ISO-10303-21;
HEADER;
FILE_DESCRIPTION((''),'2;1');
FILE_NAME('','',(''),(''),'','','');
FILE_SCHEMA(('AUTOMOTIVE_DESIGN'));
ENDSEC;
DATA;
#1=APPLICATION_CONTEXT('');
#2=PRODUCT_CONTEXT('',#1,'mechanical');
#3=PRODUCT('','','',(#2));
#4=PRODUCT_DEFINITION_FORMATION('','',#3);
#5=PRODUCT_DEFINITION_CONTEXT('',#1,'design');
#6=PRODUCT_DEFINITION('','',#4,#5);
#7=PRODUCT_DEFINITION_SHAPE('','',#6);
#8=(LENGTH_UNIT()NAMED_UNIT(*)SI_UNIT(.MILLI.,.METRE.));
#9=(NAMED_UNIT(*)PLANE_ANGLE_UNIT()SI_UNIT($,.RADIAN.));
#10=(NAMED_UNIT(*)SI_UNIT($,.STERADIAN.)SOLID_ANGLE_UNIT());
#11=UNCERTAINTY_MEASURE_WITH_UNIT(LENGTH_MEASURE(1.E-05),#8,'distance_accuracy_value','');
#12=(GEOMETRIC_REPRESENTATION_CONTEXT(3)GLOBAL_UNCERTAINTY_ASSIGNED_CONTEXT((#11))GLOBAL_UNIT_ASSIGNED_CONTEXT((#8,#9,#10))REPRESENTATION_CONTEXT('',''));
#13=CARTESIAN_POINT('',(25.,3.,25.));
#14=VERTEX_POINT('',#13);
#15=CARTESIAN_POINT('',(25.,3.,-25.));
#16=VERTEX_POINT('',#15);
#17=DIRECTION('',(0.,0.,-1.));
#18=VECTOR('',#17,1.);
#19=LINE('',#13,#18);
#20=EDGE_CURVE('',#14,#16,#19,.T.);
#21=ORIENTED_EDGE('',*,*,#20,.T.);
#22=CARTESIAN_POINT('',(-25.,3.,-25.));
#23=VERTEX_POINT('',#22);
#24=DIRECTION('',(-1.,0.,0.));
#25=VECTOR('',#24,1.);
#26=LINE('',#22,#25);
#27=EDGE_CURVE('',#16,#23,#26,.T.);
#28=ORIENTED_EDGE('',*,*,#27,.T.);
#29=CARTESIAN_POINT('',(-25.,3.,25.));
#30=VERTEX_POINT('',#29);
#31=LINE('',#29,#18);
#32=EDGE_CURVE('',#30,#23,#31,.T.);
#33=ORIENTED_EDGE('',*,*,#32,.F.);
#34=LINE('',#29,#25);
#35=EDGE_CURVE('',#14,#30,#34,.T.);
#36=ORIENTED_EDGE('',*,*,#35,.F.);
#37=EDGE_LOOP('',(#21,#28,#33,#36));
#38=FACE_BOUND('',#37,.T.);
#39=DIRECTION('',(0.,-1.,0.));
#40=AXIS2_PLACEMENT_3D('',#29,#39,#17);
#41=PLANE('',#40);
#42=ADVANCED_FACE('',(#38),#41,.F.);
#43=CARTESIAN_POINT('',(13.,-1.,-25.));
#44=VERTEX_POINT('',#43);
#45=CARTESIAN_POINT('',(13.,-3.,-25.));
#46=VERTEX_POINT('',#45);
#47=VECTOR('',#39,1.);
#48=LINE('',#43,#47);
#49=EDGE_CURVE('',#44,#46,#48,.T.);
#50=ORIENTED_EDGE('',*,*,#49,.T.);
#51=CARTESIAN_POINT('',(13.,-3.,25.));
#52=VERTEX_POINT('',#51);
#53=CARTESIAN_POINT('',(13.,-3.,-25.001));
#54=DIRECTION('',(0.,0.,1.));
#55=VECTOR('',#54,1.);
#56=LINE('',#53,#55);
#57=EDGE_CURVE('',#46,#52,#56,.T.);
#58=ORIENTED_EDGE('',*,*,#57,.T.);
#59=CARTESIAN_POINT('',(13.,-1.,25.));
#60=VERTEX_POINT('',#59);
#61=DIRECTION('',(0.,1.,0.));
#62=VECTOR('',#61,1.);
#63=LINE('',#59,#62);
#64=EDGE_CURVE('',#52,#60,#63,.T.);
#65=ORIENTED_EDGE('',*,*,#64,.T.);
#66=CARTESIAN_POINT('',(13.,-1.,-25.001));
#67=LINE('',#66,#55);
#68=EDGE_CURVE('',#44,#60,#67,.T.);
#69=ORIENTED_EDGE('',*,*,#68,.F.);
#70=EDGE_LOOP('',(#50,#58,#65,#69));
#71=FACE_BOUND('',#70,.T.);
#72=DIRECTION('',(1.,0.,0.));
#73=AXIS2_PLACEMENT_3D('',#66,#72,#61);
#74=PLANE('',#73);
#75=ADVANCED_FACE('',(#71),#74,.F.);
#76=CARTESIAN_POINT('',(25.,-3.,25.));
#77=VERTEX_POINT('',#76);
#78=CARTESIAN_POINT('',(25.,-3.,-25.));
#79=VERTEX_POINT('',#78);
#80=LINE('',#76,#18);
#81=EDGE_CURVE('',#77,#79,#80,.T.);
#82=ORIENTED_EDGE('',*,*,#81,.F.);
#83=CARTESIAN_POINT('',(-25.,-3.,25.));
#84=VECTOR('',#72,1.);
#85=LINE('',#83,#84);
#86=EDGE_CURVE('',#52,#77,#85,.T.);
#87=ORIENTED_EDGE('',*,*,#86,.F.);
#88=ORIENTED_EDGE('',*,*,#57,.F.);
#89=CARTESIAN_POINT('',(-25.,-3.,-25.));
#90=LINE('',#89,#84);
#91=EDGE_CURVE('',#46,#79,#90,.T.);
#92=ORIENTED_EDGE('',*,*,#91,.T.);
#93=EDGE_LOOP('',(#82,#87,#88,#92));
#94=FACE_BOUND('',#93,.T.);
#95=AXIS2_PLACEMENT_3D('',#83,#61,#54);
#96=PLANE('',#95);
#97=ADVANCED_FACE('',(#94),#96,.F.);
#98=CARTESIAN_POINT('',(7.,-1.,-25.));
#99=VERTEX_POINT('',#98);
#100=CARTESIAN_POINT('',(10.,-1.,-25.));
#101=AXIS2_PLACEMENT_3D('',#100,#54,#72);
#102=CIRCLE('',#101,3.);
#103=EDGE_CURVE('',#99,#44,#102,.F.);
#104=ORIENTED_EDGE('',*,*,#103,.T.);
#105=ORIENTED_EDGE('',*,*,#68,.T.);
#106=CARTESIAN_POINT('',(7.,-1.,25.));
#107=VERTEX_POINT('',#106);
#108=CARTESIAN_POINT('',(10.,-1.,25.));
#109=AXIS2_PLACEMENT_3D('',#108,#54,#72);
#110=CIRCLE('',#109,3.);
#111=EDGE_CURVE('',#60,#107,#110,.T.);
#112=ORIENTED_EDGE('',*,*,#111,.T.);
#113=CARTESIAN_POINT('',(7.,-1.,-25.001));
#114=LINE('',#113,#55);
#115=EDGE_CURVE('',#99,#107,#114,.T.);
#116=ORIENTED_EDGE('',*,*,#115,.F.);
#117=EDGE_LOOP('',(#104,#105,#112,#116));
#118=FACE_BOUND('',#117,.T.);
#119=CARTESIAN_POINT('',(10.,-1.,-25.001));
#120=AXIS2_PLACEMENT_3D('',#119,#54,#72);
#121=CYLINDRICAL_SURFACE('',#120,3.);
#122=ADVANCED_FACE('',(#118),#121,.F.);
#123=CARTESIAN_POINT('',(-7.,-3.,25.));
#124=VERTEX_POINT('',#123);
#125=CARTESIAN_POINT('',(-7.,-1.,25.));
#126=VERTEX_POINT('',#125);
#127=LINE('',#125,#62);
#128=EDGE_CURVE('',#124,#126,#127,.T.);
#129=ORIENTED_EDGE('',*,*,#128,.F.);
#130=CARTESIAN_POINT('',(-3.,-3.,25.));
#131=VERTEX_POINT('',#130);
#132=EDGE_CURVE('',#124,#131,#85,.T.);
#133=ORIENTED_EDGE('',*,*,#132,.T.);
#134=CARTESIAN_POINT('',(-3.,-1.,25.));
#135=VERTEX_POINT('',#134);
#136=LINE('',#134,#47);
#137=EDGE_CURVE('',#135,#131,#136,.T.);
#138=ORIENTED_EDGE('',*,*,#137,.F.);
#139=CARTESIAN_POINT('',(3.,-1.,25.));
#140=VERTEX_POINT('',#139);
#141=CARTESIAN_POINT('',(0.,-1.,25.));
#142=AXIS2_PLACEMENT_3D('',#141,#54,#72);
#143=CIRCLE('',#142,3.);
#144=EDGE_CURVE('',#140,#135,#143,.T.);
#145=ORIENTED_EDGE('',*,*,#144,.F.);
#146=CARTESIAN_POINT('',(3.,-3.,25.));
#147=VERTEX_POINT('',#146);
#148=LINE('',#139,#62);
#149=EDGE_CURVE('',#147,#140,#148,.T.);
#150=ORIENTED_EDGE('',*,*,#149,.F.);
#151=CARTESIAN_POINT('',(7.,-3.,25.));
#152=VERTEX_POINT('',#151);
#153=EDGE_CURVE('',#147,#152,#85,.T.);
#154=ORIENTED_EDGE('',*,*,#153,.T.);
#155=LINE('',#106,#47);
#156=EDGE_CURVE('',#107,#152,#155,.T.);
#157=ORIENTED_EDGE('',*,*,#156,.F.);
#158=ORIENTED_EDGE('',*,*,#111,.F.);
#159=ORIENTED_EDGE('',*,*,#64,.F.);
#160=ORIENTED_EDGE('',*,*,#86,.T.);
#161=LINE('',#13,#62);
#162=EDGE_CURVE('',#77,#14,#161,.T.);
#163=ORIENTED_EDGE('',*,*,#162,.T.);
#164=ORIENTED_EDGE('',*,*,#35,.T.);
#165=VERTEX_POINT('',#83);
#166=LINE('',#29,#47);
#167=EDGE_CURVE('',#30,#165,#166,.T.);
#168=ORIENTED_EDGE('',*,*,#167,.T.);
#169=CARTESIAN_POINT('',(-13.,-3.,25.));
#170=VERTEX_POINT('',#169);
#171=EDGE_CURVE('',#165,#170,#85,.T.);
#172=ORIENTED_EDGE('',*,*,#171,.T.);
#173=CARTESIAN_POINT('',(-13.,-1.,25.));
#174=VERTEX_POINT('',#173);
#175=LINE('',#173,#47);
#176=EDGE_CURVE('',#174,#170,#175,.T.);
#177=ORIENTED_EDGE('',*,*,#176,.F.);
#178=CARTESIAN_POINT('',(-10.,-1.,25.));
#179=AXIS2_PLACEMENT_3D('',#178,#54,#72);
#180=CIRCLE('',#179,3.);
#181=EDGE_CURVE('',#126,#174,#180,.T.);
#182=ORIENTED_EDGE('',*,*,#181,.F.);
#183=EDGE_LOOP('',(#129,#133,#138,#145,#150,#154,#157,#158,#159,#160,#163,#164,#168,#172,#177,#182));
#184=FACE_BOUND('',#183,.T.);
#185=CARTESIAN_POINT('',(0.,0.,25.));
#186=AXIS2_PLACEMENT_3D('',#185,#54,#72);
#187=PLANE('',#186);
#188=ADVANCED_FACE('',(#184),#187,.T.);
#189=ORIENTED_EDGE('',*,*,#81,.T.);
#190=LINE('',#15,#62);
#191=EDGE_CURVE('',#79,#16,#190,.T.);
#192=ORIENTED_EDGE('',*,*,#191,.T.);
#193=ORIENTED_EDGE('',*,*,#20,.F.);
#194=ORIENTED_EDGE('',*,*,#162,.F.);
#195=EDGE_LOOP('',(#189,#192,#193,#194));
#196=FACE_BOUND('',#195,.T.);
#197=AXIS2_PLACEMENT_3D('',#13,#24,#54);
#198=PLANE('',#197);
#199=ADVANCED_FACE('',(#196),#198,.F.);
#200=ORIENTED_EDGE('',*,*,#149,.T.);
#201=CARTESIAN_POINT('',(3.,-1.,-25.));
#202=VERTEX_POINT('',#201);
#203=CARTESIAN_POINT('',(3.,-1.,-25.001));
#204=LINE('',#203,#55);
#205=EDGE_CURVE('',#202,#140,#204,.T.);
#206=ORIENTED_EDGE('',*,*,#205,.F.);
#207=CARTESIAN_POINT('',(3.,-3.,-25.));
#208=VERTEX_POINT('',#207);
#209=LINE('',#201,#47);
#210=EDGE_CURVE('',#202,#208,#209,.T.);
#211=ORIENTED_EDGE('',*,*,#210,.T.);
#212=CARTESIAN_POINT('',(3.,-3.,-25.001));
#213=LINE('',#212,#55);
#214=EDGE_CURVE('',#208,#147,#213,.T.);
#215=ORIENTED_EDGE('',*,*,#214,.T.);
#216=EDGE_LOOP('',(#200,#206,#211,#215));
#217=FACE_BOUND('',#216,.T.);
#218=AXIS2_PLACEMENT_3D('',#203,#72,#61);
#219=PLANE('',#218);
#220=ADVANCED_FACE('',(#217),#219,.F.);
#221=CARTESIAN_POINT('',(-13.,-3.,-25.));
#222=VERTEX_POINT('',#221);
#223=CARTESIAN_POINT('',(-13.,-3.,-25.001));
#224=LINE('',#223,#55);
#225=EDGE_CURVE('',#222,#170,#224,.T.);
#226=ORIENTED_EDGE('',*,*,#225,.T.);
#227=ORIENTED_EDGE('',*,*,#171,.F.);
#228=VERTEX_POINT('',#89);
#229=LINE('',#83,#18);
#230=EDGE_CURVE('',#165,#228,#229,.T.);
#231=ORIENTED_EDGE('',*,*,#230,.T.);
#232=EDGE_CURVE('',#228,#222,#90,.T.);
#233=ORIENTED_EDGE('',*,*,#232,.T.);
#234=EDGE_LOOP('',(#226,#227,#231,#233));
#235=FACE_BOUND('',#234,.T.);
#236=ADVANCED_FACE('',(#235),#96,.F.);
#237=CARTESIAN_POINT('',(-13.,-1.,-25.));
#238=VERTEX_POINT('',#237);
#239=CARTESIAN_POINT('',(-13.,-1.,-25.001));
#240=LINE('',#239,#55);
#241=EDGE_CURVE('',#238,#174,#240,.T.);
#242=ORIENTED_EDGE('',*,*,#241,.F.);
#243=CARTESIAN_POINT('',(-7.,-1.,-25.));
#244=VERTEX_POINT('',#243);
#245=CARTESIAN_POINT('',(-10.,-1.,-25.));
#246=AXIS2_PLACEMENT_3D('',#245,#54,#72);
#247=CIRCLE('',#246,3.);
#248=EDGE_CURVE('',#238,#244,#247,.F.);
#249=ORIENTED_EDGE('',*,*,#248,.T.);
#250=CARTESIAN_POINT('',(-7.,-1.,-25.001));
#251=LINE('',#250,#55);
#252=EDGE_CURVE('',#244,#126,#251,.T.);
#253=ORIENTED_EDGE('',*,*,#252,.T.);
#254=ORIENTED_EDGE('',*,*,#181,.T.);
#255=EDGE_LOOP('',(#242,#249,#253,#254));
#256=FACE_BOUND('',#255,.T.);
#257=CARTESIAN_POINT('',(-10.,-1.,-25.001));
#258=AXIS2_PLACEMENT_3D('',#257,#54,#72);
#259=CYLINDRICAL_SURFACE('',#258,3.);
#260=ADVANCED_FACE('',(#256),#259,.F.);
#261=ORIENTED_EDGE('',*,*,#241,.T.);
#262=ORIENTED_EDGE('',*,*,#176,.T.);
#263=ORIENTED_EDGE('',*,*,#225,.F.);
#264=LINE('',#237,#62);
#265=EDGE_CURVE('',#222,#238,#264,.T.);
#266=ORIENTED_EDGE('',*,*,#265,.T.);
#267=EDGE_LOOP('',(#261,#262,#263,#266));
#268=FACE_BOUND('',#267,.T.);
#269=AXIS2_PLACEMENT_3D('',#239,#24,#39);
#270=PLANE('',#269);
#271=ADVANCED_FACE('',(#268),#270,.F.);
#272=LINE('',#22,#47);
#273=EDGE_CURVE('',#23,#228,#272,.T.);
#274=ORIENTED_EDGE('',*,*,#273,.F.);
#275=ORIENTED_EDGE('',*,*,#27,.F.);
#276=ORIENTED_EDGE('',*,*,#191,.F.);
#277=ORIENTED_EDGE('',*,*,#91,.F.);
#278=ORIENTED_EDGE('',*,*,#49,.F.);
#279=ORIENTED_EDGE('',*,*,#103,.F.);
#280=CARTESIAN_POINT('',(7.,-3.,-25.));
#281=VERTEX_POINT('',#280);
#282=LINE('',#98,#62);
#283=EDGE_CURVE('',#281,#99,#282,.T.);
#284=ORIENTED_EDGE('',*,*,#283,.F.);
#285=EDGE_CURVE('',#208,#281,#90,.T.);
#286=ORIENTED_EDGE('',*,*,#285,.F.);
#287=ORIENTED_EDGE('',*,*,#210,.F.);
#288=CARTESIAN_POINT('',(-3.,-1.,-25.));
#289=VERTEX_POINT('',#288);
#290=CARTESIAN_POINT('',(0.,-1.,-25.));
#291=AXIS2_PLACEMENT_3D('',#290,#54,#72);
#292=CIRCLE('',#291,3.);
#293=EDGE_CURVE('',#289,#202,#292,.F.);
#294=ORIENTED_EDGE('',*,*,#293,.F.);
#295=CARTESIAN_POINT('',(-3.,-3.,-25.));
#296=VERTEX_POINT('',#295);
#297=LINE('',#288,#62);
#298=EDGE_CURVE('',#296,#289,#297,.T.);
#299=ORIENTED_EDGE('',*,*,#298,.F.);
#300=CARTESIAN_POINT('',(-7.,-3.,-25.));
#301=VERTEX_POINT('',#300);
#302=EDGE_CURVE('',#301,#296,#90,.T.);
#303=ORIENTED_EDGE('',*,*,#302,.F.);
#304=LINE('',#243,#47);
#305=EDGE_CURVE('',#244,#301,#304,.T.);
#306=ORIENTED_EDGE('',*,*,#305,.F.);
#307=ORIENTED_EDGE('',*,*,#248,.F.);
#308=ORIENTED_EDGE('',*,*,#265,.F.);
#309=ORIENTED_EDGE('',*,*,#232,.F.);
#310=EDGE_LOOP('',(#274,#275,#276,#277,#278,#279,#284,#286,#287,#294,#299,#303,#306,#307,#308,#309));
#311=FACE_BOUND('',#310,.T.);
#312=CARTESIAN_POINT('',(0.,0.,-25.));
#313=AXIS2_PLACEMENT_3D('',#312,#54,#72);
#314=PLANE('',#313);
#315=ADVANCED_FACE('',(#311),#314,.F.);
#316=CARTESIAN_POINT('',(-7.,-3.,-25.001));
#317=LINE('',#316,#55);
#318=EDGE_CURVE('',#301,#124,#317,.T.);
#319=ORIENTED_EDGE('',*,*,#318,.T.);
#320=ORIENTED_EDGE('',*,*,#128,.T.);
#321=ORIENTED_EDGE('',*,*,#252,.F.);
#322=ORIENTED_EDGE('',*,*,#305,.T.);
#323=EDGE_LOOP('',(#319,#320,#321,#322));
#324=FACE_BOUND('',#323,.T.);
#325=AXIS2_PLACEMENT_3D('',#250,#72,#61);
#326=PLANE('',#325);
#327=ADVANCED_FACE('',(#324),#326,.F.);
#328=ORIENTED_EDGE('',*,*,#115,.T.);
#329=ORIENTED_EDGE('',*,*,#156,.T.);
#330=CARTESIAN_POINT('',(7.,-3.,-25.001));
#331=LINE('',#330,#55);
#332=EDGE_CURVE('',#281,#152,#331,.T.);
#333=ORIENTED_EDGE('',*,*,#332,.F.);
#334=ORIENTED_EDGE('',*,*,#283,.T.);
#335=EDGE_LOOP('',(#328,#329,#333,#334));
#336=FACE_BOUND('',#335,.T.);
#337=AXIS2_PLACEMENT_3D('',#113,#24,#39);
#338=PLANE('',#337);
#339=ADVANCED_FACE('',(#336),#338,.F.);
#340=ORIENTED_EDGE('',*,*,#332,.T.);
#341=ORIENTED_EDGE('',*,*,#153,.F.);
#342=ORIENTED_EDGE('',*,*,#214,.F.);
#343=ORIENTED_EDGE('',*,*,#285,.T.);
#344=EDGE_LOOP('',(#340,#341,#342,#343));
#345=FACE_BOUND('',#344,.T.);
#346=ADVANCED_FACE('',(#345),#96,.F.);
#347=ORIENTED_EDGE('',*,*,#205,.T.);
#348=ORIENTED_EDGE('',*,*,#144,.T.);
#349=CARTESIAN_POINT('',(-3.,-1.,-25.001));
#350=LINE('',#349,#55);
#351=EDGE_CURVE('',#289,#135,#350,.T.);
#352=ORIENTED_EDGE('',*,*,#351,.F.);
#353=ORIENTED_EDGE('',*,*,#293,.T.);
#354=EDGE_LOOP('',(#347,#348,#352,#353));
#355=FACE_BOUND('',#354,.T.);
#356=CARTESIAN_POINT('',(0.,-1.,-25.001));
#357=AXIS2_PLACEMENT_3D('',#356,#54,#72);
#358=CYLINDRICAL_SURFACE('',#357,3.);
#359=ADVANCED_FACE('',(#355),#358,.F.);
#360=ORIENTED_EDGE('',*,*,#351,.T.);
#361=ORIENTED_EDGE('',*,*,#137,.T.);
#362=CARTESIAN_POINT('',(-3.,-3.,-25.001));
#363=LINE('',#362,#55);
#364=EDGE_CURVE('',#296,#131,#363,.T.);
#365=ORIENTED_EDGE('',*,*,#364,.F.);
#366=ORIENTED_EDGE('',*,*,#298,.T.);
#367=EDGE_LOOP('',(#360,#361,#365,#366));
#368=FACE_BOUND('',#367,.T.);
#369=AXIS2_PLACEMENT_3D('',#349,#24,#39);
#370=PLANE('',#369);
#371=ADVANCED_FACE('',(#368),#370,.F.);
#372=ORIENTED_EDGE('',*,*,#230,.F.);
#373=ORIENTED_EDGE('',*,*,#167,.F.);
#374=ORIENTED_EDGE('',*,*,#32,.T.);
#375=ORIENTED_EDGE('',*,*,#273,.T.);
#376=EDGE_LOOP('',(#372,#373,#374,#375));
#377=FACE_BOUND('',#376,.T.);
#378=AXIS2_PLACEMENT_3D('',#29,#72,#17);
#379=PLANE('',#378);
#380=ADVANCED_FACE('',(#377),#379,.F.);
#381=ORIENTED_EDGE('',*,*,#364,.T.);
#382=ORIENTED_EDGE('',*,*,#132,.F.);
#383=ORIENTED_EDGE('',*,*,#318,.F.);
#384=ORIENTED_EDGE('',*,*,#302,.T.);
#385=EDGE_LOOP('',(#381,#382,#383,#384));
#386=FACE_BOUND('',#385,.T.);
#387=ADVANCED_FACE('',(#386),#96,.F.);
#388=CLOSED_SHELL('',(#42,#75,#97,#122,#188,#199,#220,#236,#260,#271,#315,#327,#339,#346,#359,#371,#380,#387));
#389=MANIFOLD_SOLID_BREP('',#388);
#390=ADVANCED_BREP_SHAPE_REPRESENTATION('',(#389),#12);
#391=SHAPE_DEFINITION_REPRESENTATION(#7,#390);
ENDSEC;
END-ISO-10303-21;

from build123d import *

# Parameters (mm, degrees)
SKETCH_1_W                 = 50
SKETCH_1_H                 = 6
EXTRUDE_1_DEPTH            = 25
CUT_EXTRUDE_1_REACH        = 57.982
PATTERN_LINEAR_1_COUNT     = 2
PATTERN_LINEAR_1_PITCH     = 10
PATTERN_LINEAR_1_COL_COUNT = 2
PATTERN_LINEAR_1_COL_PITCH = 10


with BuildPart() as part:
    # 草图1 → 凸台-拉伸1 (new, symmetric)
    with BuildSketch(Plane.XY):
        Rectangle(SKETCH_1_W, SKETCH_1_H)
    extrude(amount=EXTRUDE_1_DEPTH, both=True)

    # 草图2 → 切除-拉伸1 (cut, up to next)
    with BuildSketch(Plane.XY.offset(25), mode=Mode.PRIVATE) as cut_extrude_1_sk1:
        with BuildLine():
            Line((-3, -1), (-3, -3))
            Line((-3, -3), (3, -3))
            Line((3, -3), (3, -1))
            ThreePointArc((3, -1), (0, 2), (-3, -1))
        make_face()
    cut_extrude_1_tool1 = extrude(cut_extrude_1_sk1.sketch, amount=-CUT_EXTRUDE_1_REACH, mode=Mode.PRIVATE) & part.part
    cut_extrude_1 = cut_extrude_1_tool1.solids().sort_by_distance((0, -0.770442, 25))[0]
    add(cut_extrude_1, mode=Mode.SUBTRACT)

    # 阵列(线性)1: 切除-拉伸1 ×2
    with Locations(*[(-i * PATTERN_LINEAR_1_PITCH, 0, 0) for i in range(1, PATTERN_LINEAR_1_COUNT)]):
        add(cut_extrude_1, mode=Mode.SUBTRACT)

    # 阵列(线性)1 col: 切除-拉伸1 ×2
    with Locations(*[(i * PATTERN_LINEAR_1_COL_PITCH, 0, 0) for i in range(1, PATTERN_LINEAR_1_COL_COUNT)]):
        add(cut_extrude_1, mode=Mode.SUBTRACT)


solid = part.part
